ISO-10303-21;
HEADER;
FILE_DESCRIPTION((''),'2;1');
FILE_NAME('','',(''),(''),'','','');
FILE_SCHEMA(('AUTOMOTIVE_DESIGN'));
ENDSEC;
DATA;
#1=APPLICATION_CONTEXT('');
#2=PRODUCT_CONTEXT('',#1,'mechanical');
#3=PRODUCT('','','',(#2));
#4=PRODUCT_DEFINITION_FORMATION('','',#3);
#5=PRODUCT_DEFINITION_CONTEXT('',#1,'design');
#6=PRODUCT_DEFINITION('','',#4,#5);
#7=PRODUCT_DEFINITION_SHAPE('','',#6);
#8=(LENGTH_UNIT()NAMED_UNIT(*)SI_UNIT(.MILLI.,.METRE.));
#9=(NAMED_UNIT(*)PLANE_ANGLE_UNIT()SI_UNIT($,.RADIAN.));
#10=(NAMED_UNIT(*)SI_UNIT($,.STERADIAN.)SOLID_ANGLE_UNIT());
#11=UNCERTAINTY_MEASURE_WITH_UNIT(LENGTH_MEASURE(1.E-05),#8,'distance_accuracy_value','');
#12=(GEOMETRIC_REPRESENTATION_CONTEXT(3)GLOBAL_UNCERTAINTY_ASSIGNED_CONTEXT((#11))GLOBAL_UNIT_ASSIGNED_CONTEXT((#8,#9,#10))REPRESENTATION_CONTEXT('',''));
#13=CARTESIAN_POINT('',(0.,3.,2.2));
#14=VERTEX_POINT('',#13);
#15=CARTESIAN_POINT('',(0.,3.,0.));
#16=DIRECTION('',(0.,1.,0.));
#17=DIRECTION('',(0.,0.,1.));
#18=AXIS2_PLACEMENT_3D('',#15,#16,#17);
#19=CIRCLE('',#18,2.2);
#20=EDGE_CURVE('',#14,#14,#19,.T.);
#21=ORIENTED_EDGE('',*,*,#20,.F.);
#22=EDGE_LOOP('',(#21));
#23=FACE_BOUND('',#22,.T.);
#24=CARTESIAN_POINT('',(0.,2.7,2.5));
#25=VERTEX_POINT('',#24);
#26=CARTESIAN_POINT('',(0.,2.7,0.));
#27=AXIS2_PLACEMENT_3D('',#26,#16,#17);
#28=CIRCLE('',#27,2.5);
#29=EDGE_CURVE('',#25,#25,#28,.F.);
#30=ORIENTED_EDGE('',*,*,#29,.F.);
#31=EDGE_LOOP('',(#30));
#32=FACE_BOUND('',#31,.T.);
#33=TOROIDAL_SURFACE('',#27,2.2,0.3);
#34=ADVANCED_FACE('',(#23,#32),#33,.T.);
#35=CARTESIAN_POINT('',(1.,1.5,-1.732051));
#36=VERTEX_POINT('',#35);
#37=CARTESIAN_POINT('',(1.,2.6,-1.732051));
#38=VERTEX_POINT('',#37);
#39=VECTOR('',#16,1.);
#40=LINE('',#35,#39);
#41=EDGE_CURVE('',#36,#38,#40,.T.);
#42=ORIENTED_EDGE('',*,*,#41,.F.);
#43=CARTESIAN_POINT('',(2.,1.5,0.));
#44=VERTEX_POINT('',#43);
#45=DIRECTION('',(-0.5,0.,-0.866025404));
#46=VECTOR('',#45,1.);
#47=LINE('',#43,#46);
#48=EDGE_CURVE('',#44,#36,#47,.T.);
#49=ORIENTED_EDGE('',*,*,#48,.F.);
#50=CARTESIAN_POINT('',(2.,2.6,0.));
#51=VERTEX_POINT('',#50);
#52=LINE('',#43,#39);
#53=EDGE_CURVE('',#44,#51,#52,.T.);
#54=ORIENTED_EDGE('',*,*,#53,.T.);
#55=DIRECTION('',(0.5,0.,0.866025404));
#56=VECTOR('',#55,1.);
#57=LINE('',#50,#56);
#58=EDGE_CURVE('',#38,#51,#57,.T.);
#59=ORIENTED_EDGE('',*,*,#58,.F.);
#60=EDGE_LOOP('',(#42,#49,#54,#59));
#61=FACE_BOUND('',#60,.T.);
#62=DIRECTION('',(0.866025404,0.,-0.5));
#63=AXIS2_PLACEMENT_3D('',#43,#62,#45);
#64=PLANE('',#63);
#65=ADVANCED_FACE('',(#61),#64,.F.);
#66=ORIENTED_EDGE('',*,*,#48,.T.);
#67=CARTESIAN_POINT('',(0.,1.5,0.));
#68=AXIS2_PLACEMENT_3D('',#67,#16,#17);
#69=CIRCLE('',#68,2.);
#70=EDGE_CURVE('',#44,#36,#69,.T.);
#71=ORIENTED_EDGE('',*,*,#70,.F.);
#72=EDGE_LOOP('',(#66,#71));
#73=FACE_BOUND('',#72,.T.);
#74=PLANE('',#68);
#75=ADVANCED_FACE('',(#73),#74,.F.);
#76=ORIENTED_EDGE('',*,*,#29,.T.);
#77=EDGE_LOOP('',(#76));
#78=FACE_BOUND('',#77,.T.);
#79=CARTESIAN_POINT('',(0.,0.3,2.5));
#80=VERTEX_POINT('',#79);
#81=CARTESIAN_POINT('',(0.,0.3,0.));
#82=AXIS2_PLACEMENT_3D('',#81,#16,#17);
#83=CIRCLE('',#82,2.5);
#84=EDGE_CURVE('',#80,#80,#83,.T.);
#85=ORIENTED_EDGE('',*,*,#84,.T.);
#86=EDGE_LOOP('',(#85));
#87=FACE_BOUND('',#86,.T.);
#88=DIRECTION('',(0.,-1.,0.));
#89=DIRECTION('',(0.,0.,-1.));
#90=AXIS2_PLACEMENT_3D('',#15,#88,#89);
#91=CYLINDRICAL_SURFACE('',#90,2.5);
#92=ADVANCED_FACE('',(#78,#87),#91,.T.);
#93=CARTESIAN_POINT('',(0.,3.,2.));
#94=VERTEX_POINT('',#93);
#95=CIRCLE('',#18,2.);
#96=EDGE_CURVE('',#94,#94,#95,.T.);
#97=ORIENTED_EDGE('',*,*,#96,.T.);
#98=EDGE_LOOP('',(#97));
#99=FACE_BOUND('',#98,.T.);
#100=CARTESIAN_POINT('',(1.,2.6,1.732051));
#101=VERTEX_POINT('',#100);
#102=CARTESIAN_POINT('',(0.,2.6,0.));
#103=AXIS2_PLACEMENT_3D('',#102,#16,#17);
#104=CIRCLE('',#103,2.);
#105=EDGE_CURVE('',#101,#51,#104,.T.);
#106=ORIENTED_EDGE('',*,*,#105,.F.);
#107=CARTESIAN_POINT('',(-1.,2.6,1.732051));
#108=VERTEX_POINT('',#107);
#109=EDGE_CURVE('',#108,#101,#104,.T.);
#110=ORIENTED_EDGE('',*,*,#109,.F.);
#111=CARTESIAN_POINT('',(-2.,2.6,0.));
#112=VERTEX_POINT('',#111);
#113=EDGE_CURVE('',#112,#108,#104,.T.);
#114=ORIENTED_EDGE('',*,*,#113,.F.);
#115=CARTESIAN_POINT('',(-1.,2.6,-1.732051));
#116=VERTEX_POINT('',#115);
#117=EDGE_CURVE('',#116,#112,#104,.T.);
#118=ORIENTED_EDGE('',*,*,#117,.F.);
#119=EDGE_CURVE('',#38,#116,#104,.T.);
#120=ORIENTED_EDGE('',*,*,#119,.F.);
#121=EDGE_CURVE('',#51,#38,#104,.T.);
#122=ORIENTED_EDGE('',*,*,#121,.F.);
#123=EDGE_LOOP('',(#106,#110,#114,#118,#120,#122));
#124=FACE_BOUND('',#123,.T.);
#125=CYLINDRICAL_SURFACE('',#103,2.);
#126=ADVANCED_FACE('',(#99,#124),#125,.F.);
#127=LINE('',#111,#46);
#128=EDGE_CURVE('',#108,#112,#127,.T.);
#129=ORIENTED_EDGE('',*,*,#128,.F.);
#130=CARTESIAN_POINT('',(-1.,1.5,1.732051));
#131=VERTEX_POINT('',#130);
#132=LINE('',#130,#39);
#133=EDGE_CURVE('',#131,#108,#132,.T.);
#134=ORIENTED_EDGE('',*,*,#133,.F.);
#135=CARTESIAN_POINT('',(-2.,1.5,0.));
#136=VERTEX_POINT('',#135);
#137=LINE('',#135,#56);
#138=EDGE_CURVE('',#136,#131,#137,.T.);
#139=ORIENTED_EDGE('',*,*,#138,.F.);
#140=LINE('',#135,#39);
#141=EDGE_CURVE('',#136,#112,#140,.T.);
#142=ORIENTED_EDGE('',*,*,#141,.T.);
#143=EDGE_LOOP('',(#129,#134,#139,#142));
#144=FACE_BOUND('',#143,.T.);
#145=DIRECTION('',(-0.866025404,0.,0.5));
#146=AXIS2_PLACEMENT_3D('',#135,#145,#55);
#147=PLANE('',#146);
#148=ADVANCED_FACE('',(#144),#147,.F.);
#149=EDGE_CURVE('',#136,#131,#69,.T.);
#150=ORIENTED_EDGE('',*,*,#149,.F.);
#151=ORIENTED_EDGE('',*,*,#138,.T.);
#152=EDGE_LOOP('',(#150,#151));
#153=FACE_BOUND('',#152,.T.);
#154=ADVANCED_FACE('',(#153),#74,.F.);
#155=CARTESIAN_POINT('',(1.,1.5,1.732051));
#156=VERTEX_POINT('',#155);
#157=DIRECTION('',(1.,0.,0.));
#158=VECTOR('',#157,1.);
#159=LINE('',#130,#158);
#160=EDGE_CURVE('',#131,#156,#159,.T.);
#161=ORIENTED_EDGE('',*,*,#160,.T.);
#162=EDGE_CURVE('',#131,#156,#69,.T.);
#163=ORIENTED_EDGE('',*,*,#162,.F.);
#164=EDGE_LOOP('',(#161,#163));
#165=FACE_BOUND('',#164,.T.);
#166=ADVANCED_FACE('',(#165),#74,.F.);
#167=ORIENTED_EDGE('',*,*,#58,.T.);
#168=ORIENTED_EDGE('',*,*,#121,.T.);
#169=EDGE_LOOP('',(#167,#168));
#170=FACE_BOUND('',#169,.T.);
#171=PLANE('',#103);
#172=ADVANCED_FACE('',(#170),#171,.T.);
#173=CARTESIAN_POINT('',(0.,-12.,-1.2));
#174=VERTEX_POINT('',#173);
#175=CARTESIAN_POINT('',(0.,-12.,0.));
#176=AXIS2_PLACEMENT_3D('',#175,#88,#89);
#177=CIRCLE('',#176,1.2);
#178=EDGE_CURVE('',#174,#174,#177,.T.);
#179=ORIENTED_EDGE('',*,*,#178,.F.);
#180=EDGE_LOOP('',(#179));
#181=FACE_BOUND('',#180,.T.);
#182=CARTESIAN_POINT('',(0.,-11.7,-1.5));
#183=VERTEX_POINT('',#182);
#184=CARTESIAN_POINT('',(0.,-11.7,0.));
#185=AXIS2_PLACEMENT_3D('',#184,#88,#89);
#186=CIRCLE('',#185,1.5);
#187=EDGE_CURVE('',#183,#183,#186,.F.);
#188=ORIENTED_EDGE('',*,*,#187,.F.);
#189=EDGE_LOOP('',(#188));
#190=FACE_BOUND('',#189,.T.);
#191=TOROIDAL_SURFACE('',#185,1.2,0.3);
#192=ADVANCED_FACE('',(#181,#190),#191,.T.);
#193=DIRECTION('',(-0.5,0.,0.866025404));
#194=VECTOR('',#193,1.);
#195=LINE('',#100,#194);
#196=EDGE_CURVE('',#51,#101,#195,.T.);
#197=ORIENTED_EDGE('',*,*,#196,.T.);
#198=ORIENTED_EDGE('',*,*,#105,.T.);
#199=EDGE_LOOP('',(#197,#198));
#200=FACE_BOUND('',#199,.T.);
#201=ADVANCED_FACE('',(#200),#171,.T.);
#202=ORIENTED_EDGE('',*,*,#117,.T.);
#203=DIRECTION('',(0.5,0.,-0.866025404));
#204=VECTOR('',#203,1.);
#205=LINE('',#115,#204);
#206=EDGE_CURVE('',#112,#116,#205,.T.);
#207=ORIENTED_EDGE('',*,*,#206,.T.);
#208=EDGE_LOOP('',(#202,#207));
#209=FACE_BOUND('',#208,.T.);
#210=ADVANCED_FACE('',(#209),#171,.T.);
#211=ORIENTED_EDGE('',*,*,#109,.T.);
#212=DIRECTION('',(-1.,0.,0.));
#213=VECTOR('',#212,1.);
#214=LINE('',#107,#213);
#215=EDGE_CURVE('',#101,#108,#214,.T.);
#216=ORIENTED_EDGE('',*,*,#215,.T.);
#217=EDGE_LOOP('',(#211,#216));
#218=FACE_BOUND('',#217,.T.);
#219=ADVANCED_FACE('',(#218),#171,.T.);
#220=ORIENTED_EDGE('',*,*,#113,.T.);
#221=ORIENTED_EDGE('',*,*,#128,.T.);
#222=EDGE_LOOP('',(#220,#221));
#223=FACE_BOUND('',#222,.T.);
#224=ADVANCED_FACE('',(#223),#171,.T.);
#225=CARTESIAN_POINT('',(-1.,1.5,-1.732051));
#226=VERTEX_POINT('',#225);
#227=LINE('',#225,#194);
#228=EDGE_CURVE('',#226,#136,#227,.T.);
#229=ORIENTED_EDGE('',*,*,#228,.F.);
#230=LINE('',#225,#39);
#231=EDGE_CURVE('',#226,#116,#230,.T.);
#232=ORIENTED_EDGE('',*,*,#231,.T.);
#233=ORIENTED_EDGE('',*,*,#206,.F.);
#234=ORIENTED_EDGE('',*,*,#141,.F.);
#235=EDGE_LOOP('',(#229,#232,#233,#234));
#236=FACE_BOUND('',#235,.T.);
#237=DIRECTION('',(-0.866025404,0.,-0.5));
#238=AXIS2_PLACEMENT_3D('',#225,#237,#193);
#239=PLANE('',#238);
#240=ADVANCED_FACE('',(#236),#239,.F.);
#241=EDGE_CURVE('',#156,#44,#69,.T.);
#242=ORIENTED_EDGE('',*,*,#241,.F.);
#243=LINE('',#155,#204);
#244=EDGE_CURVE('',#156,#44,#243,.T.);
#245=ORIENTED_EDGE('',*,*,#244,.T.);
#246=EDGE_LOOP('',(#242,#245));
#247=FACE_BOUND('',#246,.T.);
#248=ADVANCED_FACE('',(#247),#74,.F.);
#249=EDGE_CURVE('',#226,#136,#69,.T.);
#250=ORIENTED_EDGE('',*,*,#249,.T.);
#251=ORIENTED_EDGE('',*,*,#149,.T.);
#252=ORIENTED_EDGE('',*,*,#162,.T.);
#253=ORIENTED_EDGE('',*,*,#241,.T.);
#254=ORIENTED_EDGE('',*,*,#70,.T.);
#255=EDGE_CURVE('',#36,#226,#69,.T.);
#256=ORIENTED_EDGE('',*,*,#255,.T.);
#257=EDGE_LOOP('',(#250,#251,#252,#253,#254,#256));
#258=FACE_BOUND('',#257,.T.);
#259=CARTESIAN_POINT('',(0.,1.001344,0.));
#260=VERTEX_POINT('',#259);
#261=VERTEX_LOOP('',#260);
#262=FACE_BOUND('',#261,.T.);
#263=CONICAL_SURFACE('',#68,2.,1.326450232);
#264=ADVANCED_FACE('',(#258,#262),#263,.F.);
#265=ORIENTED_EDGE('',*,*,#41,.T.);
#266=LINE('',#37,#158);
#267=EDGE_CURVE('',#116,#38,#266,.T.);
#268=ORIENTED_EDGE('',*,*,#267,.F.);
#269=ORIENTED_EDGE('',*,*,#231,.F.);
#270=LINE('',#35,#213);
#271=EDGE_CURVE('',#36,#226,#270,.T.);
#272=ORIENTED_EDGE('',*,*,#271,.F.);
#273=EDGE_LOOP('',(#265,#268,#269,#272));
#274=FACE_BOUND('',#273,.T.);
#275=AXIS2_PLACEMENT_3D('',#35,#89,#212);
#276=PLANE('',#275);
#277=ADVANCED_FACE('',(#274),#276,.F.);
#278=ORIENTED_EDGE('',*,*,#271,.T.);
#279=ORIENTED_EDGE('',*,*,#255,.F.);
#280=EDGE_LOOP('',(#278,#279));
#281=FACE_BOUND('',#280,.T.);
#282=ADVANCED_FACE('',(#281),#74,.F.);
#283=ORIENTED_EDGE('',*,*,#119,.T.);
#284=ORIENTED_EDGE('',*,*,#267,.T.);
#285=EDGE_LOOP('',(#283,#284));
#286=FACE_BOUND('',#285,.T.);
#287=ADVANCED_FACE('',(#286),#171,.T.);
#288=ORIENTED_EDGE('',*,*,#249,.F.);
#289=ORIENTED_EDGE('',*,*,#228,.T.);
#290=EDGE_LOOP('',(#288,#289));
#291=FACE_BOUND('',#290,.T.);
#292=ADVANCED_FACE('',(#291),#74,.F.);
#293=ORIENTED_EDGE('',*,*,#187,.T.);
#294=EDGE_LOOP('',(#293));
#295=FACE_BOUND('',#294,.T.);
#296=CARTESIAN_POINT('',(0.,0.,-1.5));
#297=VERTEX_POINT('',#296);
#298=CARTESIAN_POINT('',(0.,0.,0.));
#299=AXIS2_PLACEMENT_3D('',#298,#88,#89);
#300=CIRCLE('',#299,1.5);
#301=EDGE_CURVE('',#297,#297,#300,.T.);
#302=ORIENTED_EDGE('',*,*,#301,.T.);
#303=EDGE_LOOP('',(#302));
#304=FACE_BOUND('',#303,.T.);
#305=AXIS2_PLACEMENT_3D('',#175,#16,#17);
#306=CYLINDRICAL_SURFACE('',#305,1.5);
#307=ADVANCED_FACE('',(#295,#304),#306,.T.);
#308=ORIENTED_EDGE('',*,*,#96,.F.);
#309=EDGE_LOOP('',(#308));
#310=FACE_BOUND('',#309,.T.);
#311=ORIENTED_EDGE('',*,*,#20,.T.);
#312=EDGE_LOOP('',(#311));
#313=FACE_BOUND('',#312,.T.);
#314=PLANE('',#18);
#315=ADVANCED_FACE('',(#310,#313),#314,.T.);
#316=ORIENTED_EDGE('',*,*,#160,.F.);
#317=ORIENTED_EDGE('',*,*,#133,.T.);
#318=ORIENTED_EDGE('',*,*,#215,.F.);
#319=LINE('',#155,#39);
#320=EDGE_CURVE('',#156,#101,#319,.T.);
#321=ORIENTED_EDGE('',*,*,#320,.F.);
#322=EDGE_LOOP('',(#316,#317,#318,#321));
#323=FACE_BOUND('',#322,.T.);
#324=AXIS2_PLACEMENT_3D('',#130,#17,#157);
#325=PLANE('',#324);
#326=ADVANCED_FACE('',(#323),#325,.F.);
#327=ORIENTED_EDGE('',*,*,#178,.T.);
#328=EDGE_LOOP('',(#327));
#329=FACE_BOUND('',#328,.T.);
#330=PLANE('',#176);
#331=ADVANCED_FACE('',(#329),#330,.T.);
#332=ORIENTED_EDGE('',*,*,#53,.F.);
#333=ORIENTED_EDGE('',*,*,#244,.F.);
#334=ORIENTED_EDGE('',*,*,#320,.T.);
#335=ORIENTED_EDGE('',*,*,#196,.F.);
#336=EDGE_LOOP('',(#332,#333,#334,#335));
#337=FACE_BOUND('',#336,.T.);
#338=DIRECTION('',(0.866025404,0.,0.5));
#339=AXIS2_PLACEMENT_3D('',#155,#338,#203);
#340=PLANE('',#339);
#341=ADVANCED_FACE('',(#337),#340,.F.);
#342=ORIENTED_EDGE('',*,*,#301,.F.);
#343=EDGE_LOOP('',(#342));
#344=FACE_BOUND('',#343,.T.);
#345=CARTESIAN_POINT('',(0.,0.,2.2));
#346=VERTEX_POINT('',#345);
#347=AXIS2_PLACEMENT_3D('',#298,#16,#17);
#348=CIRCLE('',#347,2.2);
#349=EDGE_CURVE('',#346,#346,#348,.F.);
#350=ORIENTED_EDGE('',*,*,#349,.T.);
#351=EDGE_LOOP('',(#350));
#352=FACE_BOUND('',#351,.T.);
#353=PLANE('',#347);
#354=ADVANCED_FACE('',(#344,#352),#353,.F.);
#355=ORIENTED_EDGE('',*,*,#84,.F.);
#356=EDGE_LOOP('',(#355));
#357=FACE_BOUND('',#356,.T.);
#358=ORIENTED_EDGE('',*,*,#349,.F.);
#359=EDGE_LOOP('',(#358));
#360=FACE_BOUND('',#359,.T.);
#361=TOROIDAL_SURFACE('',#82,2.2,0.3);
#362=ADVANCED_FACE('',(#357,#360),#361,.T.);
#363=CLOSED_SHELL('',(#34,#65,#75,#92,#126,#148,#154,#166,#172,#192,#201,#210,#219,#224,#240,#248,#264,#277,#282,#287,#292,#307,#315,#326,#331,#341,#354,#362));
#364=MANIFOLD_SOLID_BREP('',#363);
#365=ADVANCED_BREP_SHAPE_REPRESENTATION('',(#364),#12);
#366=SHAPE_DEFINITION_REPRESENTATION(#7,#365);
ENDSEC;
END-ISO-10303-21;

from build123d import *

# Parameters (mm, degrees)
SKETCH1_R           = 2.5
BOSS_EXTRUDE1_DEPTH = 3
CUT_EXTRUDE1_DEPTH  = 1.5
CUT_EXTRUDE2_START  = 1.5
SKETCH5_R           = 2
CUT_EXTRUDE2_DEPTH  = 0.4
SKETCH7_R           = 1.5
BOSS_EXTRUDE2_DEPTH = 12
FILLET1_R           = 0.3
FILLET2_R           = 0.3


with BuildPart() as part:
    # Sketch1 → Boss-Extrude1 (new body)
    with BuildSketch(Plane(origin=(0, 0, 0), x_dir=(1, 0, 0), z_dir=(0, 1, 0))):
        with Locations(Location((0, 0, 0), (0, 0, 270))):
            Circle(SKETCH1_R)
    extrude(amount=BOSS_EXTRUDE1_DEPTH)

    # Sketch2 → Cut-Extrude1 (cut)
    with BuildSketch(Plane(origin=(0, 3, 0), x_dir=(1, 0, 0), z_dir=(0, 1, 0))):
        Polygon((2, 0), (1, 1.732050808), (-1, 1.732050808), (-2, 0), (-1, -1.732050808), (1, -1.732050808), align=None)
    extrude(amount=-CUT_EXTRUDE1_DEPTH, mode=Mode.SUBTRACT)

    # Sketch5 → Cut-Extrude2 (cut)
    with BuildSketch(Plane(origin=(0, 1.5, 0), x_dir=(1, 0, 0), z_dir=(0, 1, 0)).offset(CUT_EXTRUDE2_START)):
        with Locations(Location((0, 0, 0), (0, 0, 270))):
            Circle(SKETCH5_R)
    extrude(amount=-CUT_EXTRUDE2_DEPTH, mode=Mode.SUBTRACT)

    # Cut-Extrude3 cone 1 section (through the dimple's axis) → Cut-Extrude3 (revolve, cut)
    with BuildSketch(Plane(origin=(0, 1.5, 0), x_dir=(0, 0, 1), z_dir=(1, 0, 0))):
        Polygon((0, 0), (2, 0), (0, 0.498656006), align=None)
    revolve(axis=Axis((0, 1.5, 0), (0, -1, 0)), mode=Mode.SUBTRACT)

    # Sketch7 → Boss-Extrude2 (add)
    with BuildSketch(Plane.XZ):
        with Locations(Location((0, 0, 0), (0, 0, 270))):
            Circle(SKETCH7_R)
    extrude(amount=BOSS_EXTRUDE2_DEPTH)

    # Fillet1
    fillet1_edges = [part.edges().sort_by_distance(p)[0] for p in [
        (0, 0, -2.5),
        (0, 3, -2.5),
    ]]
    fillet(fillet1_edges, radius=FILLET1_R)

    # Fillet2
    fillet2_edges = [part.edges().sort_by_distance(p)[0] for p in [
        (0, -12, 1.5),
    ]]
    fillet(fillet2_edges, radius=FILLET2_R)


solid = part.part
